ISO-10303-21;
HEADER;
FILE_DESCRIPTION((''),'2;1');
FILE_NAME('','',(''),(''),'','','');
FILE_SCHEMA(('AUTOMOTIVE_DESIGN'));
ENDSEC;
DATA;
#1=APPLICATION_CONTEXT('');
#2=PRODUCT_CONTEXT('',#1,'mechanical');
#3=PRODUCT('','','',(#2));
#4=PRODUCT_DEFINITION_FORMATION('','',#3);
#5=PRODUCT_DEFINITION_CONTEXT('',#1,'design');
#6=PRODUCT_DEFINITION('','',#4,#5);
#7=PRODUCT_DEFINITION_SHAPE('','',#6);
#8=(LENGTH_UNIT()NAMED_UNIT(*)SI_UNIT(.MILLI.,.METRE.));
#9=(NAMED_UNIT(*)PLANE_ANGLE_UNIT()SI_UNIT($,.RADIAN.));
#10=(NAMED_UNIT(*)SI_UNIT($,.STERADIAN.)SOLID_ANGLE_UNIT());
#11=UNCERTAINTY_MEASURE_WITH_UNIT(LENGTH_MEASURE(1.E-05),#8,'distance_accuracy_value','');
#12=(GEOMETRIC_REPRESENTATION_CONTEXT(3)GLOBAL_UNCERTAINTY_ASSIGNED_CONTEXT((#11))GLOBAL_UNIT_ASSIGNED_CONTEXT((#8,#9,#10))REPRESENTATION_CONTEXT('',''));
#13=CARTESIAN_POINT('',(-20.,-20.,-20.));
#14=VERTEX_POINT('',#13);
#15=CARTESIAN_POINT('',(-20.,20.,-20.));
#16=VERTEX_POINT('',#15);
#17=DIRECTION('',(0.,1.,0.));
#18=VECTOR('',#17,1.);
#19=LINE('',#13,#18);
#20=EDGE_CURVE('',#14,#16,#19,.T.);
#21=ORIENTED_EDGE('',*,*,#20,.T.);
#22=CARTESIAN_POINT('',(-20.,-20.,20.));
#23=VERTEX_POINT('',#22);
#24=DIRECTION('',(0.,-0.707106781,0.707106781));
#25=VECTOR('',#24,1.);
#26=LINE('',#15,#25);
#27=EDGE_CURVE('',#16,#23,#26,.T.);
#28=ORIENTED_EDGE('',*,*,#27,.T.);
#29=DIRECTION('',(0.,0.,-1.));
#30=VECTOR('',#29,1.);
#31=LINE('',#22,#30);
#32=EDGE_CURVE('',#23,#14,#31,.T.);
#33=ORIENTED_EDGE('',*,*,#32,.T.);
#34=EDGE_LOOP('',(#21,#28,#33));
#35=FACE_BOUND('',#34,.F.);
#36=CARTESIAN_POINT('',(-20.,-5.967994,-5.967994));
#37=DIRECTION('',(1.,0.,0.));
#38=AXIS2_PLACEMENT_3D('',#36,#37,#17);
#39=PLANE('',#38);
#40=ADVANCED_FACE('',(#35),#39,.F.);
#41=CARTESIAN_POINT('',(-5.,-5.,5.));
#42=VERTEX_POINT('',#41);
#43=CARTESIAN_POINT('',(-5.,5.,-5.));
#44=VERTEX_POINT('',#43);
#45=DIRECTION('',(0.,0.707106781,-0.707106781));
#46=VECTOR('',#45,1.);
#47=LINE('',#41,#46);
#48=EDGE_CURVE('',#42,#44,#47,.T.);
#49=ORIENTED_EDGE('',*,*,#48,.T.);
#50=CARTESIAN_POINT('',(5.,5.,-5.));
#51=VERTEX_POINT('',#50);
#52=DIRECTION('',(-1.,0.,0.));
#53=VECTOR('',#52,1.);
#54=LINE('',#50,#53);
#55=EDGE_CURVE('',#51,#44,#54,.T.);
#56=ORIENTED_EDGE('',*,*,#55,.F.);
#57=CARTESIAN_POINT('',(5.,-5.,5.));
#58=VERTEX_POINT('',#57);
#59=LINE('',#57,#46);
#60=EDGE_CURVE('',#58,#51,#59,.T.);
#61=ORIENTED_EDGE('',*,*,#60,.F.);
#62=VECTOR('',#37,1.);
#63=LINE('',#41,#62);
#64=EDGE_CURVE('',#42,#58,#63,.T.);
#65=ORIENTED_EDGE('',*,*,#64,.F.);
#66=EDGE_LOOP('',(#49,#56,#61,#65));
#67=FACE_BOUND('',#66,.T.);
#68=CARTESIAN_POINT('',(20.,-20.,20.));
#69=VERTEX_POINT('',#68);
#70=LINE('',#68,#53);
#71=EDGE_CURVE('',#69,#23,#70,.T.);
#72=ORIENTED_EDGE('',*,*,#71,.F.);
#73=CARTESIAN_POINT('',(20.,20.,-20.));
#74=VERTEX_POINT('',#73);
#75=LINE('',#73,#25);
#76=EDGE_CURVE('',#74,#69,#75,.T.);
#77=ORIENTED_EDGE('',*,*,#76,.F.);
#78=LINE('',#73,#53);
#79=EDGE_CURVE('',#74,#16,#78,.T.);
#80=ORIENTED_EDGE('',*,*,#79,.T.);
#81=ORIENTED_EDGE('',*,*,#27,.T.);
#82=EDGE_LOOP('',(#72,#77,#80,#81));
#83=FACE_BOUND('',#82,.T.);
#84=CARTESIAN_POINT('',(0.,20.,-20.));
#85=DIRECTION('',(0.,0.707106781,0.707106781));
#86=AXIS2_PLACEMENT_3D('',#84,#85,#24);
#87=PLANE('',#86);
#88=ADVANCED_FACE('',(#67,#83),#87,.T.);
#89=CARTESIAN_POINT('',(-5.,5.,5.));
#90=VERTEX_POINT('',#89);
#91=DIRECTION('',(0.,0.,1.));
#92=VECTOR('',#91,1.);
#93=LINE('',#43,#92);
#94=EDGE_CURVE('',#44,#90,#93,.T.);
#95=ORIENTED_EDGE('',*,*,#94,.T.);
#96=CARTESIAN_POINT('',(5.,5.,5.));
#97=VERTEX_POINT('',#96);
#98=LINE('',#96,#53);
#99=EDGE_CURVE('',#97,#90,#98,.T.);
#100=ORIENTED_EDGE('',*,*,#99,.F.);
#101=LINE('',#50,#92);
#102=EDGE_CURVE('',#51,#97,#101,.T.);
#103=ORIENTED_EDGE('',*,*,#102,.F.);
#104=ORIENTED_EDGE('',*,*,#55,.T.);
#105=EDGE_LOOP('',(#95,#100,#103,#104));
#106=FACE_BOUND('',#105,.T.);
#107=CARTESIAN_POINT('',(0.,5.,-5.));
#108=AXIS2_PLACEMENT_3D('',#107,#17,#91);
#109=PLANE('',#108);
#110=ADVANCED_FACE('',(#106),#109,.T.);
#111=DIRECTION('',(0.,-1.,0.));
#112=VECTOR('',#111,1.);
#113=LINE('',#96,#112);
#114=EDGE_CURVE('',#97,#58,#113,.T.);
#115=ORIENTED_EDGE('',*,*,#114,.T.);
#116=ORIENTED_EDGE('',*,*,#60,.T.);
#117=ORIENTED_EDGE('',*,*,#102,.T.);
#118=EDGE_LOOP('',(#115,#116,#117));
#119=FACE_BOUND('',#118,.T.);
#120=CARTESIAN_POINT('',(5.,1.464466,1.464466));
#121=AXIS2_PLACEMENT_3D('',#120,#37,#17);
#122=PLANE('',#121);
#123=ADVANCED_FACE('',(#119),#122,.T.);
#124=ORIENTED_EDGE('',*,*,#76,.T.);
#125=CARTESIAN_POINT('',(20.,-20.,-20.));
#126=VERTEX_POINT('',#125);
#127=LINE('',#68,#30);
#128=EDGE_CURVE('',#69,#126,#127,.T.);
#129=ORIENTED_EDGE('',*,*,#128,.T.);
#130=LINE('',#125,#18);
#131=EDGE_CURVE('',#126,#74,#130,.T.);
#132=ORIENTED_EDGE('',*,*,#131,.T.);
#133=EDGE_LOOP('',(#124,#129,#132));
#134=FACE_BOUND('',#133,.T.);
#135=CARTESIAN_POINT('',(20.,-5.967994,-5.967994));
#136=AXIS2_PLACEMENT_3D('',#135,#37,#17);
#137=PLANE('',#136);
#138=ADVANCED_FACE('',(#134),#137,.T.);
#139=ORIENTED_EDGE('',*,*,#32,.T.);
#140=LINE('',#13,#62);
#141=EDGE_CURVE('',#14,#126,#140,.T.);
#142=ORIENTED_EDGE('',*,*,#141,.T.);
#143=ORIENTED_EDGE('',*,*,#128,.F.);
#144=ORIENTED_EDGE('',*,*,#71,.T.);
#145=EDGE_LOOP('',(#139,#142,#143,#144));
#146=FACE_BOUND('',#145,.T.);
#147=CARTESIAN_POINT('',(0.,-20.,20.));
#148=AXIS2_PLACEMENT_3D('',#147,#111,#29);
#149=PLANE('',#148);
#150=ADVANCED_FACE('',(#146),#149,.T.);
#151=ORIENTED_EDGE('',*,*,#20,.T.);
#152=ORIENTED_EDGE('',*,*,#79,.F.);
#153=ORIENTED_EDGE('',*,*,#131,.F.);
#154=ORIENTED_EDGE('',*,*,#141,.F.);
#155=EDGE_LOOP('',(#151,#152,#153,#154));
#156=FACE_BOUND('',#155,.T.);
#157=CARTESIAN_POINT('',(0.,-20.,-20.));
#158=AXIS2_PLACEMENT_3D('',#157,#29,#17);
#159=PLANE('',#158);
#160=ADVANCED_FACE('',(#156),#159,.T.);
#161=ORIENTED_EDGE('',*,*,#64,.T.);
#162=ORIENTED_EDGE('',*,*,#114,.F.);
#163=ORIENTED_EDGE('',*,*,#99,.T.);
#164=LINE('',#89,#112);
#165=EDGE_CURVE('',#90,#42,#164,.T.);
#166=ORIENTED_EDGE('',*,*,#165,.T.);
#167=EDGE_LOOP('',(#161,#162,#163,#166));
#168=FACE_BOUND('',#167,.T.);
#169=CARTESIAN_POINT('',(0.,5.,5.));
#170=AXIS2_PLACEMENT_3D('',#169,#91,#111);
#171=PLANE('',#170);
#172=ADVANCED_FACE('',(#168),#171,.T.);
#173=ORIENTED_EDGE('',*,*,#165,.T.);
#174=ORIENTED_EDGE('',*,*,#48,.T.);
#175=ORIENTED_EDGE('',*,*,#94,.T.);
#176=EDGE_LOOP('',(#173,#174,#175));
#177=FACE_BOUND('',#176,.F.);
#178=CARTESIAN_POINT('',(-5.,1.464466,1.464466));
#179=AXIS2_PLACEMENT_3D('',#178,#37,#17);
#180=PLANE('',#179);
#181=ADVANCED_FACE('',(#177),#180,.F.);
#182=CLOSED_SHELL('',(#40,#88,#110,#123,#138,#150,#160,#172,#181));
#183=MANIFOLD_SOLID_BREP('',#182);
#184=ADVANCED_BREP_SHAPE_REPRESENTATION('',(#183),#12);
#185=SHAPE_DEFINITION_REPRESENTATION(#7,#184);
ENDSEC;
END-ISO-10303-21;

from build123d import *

# Parameters (mm, degrees)
F1_DEPTH = 20
F2_DEPTH = 5


with BuildPart() as f1:
    # F0 (on Right) → F1 (new body, symmetric)
    with BuildSketch(Plane.YZ):
        Polygon((-5, 5), (-20, 20), (-20, -20), (20, -20), (5, -5), (-5, -5), align=None)
        Polygon((5, -5), (-5, 5), (-5, -5), align=None)
    extrude(amount=F1_DEPTH, both=True)

    # F0 (on Right) → F2 (join, symmetric)
    with BuildSketch(Plane.YZ):
        Polygon((5, 5), (-5, 5), (5, -5), align=None)
    extrude(amount=F2_DEPTH, both=True)


solid = f1.part
